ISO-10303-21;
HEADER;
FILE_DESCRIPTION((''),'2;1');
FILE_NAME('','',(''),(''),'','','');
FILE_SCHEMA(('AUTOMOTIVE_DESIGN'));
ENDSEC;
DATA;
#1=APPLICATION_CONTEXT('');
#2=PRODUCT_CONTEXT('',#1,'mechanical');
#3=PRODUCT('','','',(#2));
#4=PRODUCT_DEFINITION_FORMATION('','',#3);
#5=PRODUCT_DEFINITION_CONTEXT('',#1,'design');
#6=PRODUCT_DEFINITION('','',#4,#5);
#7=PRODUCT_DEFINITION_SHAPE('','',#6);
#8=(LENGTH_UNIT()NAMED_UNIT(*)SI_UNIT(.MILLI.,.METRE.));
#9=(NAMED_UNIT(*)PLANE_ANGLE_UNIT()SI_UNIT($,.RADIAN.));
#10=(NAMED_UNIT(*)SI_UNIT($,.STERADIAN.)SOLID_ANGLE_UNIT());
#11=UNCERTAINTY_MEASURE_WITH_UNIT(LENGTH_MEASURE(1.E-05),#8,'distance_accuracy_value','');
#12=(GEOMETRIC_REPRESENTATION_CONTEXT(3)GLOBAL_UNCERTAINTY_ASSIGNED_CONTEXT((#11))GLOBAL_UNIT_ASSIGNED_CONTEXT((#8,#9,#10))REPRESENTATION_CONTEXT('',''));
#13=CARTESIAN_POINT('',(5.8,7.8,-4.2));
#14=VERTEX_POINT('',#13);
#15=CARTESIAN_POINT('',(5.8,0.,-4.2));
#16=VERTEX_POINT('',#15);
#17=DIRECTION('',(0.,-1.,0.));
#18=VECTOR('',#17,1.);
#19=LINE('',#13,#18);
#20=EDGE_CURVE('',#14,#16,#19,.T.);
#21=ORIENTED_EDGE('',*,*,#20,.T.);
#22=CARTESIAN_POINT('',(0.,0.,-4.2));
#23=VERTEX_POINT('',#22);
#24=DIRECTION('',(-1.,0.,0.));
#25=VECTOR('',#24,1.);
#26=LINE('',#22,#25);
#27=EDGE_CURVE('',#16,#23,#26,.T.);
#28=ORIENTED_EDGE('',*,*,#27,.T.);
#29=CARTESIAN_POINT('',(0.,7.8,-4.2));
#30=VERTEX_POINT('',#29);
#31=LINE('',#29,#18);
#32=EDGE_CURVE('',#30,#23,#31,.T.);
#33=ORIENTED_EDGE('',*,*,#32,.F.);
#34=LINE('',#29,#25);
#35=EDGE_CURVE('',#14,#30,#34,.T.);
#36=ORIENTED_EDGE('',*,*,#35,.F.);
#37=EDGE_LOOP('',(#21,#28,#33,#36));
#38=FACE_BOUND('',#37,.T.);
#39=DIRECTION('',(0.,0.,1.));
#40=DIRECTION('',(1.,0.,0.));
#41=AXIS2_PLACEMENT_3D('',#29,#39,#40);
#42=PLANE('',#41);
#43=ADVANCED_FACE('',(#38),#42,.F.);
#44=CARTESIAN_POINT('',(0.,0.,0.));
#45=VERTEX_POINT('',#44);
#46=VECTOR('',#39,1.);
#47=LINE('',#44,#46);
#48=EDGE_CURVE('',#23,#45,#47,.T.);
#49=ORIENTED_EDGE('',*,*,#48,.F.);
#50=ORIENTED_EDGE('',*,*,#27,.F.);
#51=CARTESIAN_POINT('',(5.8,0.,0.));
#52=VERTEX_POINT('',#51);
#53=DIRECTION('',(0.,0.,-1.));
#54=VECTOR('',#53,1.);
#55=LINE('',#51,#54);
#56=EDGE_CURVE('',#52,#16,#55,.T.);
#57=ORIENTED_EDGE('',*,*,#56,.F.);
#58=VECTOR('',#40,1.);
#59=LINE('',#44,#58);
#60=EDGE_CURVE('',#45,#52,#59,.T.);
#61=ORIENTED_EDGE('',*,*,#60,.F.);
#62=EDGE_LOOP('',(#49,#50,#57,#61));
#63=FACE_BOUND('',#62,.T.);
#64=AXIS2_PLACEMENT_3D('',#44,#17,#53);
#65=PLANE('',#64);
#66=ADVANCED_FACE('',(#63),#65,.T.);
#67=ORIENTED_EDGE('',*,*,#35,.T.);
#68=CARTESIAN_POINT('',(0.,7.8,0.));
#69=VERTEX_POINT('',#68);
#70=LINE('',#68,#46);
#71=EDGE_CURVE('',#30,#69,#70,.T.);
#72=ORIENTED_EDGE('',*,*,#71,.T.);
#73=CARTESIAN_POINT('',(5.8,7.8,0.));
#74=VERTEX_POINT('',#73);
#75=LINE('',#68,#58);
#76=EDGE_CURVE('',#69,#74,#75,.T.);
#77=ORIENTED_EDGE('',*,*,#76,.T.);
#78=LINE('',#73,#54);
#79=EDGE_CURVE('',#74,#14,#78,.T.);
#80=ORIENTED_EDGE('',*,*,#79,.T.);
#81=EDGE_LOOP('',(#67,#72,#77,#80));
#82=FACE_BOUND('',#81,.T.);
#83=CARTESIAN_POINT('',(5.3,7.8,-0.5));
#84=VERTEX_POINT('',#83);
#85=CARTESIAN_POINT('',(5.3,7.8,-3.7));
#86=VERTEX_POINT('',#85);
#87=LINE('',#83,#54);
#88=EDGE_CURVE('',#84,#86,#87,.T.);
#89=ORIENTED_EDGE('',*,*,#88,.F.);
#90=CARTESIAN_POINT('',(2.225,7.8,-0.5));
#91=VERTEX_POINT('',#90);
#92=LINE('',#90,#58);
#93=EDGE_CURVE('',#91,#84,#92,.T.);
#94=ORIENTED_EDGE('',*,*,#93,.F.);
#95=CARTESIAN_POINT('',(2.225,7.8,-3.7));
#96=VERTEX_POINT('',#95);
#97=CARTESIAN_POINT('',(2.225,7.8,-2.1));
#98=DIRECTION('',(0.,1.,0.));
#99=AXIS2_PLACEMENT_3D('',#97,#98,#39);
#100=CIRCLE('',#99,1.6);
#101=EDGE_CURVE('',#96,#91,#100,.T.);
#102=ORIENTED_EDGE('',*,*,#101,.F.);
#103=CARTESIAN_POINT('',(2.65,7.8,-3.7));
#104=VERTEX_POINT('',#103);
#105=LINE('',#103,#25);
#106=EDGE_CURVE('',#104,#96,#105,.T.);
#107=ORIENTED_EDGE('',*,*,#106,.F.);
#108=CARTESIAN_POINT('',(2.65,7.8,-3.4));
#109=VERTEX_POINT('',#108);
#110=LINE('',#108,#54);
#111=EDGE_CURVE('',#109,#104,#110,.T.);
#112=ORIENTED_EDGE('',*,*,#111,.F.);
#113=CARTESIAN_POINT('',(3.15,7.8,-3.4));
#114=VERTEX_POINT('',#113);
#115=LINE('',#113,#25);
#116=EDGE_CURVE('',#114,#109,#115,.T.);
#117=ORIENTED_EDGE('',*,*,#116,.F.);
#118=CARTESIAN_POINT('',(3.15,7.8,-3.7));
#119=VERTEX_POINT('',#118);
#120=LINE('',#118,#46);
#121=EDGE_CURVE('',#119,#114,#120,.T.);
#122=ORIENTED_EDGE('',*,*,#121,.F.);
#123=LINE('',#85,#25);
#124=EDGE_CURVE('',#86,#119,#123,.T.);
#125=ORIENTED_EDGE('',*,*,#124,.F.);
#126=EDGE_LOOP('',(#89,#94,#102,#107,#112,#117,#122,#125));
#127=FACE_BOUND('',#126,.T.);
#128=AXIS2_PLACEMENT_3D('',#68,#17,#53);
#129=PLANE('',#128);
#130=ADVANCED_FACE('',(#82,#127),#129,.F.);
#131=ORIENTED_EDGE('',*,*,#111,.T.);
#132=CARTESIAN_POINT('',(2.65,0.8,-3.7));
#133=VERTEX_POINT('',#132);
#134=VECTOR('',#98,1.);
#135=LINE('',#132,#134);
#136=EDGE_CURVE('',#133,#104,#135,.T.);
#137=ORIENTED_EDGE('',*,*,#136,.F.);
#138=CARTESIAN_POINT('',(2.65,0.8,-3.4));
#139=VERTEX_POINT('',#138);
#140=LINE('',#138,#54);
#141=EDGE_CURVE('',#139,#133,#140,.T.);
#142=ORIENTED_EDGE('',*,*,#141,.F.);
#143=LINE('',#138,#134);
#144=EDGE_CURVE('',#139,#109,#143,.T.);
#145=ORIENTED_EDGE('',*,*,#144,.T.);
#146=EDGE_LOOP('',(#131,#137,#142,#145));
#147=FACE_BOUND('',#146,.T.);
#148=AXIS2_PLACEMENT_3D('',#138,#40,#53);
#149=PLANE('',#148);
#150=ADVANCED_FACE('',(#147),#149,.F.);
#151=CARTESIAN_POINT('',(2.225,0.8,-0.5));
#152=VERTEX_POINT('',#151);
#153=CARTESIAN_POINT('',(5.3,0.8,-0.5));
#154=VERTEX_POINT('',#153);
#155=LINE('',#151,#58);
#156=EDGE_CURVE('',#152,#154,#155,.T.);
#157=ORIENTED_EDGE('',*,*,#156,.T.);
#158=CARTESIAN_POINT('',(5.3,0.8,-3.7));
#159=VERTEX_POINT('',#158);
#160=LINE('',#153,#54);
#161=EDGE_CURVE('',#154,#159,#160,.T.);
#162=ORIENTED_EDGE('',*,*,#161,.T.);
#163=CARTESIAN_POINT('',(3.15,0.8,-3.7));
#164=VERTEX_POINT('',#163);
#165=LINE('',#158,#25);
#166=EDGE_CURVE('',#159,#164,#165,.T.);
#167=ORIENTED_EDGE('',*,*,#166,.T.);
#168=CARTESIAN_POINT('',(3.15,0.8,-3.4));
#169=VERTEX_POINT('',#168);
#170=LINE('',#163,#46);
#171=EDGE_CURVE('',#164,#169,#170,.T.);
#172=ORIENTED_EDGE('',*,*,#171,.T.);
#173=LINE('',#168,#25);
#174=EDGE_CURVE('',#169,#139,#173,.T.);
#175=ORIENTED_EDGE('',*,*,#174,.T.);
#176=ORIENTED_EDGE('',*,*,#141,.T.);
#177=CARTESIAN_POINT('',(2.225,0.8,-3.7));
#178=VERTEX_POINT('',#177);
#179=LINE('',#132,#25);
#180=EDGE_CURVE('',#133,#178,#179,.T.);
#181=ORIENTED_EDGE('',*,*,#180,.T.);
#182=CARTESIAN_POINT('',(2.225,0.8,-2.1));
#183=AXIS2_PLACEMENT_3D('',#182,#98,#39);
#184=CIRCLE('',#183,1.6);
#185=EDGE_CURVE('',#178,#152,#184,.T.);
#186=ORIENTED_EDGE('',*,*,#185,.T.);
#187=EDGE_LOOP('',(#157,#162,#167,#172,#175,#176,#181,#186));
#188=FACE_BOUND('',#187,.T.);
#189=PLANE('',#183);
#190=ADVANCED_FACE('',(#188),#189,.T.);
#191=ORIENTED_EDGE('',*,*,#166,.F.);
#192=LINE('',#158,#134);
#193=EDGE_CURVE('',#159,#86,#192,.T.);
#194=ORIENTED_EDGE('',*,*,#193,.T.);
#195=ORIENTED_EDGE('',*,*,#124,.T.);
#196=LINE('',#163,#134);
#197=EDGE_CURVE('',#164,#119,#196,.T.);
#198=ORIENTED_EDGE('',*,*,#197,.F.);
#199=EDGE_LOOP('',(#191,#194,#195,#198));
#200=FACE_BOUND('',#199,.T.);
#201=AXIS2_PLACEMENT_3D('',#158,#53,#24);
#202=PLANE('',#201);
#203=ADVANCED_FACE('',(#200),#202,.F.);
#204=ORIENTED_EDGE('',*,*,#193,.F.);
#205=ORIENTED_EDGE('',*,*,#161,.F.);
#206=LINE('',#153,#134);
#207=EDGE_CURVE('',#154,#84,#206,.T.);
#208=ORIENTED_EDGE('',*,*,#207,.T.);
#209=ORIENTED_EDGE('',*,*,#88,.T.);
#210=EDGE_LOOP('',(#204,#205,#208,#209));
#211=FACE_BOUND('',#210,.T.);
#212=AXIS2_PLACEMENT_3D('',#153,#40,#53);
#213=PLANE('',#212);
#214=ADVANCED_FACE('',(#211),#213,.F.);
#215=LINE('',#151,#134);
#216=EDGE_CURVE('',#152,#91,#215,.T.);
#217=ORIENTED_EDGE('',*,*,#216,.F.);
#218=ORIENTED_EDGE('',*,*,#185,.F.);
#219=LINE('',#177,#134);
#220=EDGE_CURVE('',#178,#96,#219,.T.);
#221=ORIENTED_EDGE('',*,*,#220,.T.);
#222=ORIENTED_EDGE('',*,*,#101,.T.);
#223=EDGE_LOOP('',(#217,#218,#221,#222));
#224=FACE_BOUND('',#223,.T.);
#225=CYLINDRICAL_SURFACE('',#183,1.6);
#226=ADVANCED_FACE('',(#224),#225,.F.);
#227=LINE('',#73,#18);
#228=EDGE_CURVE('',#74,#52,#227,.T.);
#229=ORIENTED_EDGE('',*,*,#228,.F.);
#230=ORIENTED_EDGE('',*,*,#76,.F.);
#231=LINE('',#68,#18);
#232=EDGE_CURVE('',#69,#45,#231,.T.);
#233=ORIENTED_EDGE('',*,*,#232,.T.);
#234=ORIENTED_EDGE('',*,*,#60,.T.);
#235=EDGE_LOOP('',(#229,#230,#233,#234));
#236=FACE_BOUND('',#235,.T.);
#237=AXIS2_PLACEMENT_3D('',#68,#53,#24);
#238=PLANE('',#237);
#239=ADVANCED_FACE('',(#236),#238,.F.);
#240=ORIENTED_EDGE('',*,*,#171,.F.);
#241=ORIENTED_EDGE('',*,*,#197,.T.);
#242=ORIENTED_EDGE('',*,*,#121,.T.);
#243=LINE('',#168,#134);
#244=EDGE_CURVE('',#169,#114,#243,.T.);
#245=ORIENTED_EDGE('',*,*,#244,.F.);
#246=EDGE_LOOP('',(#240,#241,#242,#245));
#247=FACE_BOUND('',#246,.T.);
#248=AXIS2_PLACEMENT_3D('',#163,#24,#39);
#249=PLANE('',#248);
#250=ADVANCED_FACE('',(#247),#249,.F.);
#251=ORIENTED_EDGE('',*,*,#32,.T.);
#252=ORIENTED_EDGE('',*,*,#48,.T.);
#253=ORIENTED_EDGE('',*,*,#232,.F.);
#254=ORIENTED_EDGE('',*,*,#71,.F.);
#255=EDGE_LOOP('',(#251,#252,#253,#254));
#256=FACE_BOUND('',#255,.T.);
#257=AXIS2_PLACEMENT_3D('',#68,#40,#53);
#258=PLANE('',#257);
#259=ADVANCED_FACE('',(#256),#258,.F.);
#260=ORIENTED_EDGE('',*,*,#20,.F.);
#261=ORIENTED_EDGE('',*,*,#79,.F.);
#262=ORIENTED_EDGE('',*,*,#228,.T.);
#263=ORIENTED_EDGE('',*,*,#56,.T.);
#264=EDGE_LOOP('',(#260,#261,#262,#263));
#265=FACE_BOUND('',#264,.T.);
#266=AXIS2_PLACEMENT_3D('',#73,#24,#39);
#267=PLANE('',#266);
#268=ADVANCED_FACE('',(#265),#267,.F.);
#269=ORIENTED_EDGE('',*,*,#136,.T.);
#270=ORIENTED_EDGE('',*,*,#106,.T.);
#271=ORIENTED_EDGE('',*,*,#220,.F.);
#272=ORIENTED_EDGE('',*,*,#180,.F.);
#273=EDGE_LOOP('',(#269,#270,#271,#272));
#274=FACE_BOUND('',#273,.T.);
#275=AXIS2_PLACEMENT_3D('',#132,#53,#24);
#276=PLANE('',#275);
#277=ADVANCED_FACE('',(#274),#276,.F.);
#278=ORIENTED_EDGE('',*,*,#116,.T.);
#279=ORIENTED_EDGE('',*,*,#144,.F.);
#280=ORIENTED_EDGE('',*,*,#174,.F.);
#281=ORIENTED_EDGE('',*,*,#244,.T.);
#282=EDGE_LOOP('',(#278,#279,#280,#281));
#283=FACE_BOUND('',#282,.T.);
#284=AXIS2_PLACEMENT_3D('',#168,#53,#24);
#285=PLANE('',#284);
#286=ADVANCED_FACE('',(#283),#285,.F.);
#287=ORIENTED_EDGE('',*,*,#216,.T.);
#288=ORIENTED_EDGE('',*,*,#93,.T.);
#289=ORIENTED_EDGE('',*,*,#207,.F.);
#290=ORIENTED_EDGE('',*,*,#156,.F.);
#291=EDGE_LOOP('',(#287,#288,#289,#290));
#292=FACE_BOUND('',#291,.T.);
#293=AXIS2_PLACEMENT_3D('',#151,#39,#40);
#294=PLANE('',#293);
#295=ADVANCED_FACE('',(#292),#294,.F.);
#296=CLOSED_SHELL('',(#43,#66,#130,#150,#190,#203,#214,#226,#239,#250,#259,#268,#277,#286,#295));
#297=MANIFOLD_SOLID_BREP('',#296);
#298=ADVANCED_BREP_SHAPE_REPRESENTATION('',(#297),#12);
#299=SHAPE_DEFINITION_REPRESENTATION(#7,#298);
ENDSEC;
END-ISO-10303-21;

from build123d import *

# Parameters (mm, degrees)
SKETCH1_W           = 5.8
SKETCH1_H           = 4.2
BOSS_EXTRUDE1_DEPTH = 7.8
CUT_EXTRUDE1_DEPTH  = 7


with BuildPart() as part:
    # Sketch1 → Boss-Extrude1 (new body)
    with BuildSketch(Plane(origin=(0, 0, 0), x_dir=(1, 0, 0), z_dir=(0, 1, 0))):
        with Locations((2.9, 2.1)):
            Rectangle(SKETCH1_W, SKETCH1_H)
    extrude(amount=BOSS_EXTRUDE1_DEPTH)

    # Sketch2 → Cut-Extrude1 (cut)
    with BuildSketch(Plane(origin=(0, 7.8, 0), x_dir=(1, 0, 0), z_dir=(0, 1, 0))):
        with BuildLine():
            Line((2.225, 0.5), (5.3, 0.5))
            Line((5.3, 0.5), (5.3, 3.7))
            Line((5.3, 3.7), (3.15, 3.7))
            Line((3.15, 3.7), (3.15, 3.4))
            Line((3.15, 3.4), (2.65, 3.4))
            Line((2.65, 3.4), (2.65, 3.7))
            Line((2.65, 3.7), (2.225, 3.7))
            ThreePointArc((2.225, 3.7), (0.625, 2.1), (2.225, 0.5))
        make_face()
    extrude(amount=-CUT_EXTRUDE1_DEPTH, mode=Mode.SUBTRACT)


solid = part.part
